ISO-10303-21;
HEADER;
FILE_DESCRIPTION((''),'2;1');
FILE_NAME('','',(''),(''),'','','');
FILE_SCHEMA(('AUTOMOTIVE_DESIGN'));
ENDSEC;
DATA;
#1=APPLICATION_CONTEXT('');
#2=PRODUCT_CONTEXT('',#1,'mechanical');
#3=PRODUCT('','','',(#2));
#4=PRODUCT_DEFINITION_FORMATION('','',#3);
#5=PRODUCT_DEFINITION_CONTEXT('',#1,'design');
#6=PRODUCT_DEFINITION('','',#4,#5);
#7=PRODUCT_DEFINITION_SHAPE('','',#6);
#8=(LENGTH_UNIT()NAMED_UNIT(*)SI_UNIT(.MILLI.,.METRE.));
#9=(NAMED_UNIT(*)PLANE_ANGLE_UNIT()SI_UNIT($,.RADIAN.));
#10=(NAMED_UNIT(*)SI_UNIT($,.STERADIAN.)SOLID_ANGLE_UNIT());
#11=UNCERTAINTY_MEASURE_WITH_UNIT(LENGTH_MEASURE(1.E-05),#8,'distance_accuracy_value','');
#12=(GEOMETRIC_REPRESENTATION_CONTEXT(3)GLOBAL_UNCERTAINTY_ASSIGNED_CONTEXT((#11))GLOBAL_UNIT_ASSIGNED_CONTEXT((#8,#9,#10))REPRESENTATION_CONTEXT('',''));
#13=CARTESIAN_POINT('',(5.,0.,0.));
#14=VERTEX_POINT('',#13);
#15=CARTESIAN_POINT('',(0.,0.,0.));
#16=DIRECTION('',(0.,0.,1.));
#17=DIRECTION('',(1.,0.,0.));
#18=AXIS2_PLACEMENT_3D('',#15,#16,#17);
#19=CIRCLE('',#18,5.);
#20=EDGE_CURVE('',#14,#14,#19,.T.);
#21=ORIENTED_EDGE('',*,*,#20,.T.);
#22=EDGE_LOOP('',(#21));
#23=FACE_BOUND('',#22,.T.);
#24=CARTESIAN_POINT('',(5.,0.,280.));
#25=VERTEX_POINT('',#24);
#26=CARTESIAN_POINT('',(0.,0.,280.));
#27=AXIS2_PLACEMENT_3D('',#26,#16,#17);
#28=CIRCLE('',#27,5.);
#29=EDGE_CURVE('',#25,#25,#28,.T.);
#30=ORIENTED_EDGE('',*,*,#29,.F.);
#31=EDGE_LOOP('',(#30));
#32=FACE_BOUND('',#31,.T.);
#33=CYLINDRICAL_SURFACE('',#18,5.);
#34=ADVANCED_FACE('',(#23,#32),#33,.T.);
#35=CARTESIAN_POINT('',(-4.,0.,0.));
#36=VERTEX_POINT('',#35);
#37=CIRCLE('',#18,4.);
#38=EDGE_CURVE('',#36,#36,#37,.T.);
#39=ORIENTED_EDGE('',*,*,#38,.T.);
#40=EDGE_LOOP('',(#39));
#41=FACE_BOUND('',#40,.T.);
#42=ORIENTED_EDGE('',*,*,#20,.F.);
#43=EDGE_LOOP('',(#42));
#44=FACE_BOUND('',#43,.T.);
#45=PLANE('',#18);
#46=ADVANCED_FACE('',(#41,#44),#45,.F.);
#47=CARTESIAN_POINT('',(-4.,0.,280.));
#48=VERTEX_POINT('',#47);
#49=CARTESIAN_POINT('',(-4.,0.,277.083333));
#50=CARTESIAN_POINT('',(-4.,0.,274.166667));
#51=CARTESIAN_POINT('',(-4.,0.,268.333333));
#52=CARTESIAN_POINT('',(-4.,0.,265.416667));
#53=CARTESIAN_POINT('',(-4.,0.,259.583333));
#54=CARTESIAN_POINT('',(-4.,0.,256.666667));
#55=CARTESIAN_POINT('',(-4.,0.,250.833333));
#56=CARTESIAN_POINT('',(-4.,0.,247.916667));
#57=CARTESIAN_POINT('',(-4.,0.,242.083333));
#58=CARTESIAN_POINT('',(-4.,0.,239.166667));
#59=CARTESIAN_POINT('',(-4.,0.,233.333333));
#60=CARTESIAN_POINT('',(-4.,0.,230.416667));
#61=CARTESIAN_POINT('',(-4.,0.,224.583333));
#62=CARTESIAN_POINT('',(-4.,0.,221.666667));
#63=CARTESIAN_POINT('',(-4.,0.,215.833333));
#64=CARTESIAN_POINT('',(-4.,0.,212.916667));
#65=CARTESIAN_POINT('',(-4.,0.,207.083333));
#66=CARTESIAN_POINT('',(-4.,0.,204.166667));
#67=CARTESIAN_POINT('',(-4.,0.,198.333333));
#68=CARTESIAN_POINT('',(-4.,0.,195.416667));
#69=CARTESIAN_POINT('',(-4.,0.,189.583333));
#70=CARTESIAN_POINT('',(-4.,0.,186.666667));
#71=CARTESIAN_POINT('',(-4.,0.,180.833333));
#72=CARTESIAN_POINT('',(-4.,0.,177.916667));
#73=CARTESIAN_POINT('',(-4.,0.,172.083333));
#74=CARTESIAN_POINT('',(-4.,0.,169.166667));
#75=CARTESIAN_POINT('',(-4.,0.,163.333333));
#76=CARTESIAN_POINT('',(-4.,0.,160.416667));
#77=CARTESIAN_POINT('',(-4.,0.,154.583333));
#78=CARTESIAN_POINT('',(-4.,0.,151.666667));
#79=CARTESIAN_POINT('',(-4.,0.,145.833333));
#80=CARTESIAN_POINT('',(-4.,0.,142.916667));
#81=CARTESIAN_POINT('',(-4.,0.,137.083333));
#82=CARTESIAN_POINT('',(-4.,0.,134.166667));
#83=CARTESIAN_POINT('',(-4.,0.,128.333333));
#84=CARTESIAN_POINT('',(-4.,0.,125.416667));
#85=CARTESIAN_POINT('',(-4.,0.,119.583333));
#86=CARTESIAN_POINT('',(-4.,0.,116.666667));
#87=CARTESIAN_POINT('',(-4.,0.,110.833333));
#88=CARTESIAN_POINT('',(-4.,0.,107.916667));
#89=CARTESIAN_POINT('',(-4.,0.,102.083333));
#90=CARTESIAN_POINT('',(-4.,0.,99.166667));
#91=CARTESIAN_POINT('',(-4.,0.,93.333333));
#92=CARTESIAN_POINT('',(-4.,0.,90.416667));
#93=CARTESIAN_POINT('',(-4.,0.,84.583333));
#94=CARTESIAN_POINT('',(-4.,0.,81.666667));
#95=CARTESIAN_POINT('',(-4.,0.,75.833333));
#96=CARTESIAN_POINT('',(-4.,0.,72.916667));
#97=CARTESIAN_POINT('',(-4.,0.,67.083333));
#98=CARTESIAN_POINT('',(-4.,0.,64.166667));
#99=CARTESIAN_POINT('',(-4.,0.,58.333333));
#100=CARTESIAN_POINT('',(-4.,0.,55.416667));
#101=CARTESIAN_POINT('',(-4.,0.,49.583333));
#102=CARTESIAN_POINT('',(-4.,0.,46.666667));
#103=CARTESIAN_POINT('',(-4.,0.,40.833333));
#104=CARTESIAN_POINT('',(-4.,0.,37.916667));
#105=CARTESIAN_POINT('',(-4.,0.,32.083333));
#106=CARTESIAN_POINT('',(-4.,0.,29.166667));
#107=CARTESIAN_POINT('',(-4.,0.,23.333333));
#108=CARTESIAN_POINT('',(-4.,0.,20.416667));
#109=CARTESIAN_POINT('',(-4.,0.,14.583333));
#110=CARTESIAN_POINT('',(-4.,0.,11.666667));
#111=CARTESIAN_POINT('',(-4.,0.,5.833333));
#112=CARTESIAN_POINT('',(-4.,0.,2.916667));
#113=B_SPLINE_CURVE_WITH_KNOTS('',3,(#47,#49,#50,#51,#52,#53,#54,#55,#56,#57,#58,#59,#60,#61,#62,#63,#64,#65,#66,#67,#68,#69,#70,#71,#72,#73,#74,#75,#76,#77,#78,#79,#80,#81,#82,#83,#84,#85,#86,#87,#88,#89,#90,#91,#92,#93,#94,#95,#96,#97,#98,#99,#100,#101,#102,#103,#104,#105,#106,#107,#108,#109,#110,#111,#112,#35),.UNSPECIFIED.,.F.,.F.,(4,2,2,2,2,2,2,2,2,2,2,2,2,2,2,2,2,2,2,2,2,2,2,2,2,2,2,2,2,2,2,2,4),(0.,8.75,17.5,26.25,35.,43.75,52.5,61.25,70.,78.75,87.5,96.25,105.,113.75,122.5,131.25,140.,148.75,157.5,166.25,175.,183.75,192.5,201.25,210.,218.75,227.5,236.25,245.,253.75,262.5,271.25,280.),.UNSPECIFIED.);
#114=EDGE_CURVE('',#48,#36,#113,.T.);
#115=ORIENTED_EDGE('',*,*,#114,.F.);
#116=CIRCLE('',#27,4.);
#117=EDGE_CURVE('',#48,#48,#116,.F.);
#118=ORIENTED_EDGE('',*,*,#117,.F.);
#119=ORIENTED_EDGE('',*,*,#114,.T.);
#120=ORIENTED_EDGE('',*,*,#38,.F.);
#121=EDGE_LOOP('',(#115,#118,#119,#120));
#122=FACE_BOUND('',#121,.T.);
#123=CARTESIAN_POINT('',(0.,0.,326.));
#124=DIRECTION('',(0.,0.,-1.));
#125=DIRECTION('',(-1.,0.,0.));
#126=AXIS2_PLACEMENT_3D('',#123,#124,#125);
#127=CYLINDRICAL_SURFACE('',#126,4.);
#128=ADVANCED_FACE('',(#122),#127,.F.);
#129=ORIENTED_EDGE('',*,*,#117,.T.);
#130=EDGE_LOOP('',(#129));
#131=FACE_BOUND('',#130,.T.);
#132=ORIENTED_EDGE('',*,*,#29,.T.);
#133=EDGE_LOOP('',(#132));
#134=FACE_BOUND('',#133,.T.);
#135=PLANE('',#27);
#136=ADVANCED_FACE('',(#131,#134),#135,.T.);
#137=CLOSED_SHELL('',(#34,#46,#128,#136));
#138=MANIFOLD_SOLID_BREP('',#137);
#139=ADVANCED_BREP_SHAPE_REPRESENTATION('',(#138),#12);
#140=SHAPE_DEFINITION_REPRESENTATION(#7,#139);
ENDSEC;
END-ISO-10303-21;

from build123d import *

# Parameters (mm, degrees)
SKETCH1_R          = 5
SKETCH3_R          = 5
SKETCH2_R          = 4
CUT_EXTRUDE1_DEPTH = 326


with BuildPart() as part:
    # Sketch1 → Loft1 section 0
    with BuildSketch(Plane.XY):
        Circle(SKETCH1_R)
    # Sketch3 → Loft1 section 1
    with BuildSketch(Plane.XY.offset(280)):
        Circle(SKETCH3_R)
    loft()

    # Sketch2 → Cut-Extrude1 (cut)
    with BuildSketch(Plane.XY):
        with Locations(Location((0, 0, 0), (0, 0, 180))):
            Circle(SKETCH2_R)
    extrude(amount=CUT_EXTRUDE1_DEPTH, mode=Mode.SUBTRACT)


solid = part.part
